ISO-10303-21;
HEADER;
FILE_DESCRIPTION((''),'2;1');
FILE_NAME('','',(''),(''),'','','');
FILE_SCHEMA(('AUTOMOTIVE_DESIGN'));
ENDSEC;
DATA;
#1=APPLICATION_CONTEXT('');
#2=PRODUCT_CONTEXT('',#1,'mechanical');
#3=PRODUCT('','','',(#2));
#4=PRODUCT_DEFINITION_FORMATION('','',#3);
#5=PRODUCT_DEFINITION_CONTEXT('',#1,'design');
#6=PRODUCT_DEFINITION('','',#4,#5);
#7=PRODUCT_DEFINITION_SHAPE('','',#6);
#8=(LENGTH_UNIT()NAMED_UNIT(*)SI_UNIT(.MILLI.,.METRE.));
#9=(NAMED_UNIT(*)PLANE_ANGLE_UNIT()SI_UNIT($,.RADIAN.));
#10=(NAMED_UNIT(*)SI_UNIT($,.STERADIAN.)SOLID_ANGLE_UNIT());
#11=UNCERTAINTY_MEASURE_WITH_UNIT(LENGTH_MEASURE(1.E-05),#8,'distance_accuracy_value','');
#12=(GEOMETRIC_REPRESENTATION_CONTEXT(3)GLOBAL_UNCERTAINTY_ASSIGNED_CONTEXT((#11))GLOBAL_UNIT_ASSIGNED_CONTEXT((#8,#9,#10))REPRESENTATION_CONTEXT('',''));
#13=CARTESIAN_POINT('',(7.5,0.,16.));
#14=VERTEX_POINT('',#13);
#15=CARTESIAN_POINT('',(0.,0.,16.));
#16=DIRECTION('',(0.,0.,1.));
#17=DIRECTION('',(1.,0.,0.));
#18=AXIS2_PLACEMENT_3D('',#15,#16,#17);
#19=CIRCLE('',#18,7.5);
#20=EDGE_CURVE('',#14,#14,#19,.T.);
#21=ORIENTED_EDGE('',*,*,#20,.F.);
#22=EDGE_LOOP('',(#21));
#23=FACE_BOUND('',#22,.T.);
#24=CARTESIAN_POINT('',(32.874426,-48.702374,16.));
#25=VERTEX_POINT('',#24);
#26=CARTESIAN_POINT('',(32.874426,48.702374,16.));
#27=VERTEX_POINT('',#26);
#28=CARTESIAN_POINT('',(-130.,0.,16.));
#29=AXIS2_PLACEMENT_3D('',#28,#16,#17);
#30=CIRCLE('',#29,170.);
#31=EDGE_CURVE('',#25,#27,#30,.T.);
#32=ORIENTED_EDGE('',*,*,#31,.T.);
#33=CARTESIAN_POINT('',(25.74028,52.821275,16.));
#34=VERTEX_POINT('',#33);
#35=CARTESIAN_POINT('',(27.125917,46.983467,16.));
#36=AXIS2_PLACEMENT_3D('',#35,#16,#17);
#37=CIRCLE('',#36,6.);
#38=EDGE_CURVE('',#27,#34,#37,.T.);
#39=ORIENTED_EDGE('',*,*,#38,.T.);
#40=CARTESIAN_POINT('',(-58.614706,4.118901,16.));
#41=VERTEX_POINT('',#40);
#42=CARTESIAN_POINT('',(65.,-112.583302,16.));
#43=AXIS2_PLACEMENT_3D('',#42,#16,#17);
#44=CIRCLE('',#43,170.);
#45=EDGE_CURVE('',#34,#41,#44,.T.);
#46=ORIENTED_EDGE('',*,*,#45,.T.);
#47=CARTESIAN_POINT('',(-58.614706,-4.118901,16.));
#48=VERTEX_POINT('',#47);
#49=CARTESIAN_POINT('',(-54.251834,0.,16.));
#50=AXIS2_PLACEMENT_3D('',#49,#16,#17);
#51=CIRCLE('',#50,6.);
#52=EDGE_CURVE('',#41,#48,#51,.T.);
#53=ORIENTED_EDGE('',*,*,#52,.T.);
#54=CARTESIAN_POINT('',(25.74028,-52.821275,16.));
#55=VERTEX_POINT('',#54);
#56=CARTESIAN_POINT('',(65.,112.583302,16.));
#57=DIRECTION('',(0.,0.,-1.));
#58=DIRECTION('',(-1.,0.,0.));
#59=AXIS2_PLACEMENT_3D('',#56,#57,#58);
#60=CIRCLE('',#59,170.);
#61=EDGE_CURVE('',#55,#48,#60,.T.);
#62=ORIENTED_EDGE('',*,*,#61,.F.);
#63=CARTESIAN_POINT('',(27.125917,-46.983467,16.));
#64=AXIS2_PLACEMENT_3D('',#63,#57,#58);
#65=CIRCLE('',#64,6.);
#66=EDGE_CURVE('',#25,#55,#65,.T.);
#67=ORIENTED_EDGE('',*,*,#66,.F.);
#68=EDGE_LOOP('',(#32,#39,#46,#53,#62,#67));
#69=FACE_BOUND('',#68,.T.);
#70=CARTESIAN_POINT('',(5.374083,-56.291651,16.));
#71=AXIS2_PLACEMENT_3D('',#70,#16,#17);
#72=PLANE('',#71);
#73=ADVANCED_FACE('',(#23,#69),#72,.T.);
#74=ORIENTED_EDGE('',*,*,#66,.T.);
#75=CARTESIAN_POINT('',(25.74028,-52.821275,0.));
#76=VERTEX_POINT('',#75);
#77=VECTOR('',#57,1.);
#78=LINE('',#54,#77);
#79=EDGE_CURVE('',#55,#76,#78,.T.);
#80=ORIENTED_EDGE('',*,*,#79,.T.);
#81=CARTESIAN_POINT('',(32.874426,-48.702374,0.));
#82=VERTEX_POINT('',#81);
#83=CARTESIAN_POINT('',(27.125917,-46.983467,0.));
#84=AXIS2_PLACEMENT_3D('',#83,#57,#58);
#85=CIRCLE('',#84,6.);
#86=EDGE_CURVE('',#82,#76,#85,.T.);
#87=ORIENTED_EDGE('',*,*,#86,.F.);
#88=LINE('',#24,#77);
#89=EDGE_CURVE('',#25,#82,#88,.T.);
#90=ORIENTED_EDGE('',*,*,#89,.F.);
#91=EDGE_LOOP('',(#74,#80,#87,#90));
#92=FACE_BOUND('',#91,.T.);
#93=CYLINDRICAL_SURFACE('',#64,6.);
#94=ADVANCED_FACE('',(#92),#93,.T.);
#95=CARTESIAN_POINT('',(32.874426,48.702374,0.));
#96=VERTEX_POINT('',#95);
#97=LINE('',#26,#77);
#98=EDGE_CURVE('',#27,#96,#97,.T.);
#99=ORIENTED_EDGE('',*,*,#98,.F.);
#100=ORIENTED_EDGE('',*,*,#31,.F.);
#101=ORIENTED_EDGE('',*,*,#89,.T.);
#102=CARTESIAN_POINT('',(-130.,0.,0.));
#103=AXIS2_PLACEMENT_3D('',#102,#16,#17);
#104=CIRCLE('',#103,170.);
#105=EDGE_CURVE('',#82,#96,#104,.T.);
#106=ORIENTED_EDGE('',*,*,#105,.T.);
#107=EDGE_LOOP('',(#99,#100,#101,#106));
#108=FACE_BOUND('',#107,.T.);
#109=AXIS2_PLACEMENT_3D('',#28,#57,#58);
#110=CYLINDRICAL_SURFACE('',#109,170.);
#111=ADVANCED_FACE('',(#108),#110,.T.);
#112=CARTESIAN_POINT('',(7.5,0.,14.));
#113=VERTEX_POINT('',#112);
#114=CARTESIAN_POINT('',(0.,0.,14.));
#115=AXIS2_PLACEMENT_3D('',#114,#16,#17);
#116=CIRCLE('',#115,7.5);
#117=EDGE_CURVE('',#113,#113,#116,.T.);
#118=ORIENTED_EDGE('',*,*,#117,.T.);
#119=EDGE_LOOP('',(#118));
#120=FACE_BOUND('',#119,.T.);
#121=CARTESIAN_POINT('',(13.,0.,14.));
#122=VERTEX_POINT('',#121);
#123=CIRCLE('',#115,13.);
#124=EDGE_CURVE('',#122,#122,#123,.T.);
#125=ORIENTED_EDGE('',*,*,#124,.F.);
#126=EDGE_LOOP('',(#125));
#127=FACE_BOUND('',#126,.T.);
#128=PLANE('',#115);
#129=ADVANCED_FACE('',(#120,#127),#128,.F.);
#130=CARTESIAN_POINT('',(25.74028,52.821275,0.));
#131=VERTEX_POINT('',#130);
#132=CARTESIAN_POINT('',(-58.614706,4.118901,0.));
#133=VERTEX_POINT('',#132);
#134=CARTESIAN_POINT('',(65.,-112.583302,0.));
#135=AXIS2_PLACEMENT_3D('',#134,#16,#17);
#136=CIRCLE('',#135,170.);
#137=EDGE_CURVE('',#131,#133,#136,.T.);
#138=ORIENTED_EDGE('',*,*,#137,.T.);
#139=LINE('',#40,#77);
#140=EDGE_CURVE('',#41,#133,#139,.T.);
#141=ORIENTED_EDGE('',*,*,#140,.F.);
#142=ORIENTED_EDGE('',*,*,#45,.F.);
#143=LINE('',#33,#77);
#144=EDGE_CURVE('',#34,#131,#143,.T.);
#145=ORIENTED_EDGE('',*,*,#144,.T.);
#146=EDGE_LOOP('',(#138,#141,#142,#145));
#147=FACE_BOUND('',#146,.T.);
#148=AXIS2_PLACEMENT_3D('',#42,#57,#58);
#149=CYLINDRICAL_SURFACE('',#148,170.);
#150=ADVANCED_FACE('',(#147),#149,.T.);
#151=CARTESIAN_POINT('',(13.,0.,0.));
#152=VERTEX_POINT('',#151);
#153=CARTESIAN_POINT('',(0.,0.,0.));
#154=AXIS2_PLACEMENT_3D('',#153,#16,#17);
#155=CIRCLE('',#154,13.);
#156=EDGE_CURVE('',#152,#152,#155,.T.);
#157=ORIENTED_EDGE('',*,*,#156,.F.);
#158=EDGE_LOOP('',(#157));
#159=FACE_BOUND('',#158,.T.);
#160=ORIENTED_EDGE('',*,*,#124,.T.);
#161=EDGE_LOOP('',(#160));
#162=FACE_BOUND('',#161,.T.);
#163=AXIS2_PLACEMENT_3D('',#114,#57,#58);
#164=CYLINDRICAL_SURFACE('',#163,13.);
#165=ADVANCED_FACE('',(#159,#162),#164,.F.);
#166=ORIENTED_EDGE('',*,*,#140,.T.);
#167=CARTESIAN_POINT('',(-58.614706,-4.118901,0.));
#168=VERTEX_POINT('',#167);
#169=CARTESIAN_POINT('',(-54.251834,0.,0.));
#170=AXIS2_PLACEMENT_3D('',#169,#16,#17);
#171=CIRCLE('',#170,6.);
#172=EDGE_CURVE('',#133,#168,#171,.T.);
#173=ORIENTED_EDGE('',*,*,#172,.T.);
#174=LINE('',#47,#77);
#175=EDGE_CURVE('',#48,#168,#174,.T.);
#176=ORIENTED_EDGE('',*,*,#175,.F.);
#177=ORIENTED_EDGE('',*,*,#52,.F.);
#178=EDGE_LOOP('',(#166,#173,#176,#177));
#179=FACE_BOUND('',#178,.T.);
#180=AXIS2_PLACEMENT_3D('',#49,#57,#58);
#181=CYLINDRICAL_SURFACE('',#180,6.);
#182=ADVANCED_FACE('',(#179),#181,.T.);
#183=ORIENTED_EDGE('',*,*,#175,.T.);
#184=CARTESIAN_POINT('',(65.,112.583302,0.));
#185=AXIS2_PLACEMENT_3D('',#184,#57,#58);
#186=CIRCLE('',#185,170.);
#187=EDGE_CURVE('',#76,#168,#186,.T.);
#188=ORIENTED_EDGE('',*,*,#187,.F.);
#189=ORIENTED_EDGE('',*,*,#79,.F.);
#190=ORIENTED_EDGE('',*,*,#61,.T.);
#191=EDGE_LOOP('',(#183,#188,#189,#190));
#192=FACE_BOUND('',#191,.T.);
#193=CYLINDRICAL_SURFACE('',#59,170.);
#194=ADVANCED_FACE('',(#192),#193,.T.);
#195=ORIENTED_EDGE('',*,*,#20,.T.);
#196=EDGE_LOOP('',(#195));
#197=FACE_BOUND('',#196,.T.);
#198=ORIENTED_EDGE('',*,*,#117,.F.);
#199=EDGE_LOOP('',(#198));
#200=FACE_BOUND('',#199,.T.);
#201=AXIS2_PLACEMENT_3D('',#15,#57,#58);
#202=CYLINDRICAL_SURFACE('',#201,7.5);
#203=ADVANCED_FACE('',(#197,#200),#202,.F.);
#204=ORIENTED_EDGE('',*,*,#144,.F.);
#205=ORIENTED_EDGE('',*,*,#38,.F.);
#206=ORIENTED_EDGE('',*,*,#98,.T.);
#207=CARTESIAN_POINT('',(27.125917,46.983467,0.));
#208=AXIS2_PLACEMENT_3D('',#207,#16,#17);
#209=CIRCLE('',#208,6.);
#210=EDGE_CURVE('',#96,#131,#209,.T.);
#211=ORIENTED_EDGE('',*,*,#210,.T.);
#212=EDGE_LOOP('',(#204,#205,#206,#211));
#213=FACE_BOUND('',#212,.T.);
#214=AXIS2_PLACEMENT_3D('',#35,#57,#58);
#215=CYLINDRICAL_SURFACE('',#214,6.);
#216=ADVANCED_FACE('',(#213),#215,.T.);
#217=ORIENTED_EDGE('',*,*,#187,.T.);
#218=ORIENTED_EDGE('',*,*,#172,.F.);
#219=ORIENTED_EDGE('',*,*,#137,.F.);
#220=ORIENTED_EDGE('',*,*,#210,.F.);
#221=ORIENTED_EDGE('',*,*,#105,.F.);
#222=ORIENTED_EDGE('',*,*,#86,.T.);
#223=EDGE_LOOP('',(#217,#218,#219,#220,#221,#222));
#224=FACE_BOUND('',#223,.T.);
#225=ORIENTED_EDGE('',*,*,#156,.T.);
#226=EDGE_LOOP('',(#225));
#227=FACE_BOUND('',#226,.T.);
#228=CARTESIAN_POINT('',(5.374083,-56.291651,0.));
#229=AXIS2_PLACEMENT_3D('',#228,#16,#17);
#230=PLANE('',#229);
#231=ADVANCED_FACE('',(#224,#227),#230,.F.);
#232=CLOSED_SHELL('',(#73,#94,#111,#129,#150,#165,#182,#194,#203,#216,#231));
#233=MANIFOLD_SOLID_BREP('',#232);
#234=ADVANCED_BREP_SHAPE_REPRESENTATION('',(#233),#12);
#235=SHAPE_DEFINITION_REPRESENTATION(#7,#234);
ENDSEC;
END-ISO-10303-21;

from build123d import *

# Parameters (mm, degrees)
ESQUISSE1_R             = 7.5
BASE_EXTRUSION_DEPTH    = 16
ESQUISSE2_R             = 13
ENL_V_MAT_EXTRU_2_DEPTH = 14


with BuildPart() as part:
    # Esquisse1 → Base-Extrusion (new body)
    with BuildSketch(Plane.XY):
        with BuildLine():
            ThreePointArc((25.740280008, -52.821275395), (-20, -34.641016151), (-58.614706356, -4.118901311))
            ThreePointArc((-58.614706356, -4.118901311), (-60.251834367, 0), (-58.614706356, 4.118901311))
            ThreePointArc((-58.614706356, 4.118901311), (-20, 34.641016151), (25.740280008, 52.821275395))
            ThreePointArc((25.740280008, 52.821275395), (30.125917184, 52.179619187), (32.874426349, 48.702374085))
            ThreePointArc((32.874426349, 48.702374085), (40, 0), (32.874426349, -48.702374085))
            ThreePointArc((32.874426349, -48.702374085), (30.125917184, -52.179619187), (25.740280008, -52.821275395))
        make_face()
        Circle(ESQUISSE1_R, mode=Mode.SUBTRACT)
    extrude(amount=BASE_EXTRUSION_DEPTH)

    # Esquisse2 → Enlèv. mat.-Extru.2 (cut)
    with BuildSketch(Plane.XY):
        Circle(ESQUISSE2_R)
    extrude(amount=ENL_V_MAT_EXTRU_2_DEPTH, mode=Mode.SUBTRACT)


solid = part.part
